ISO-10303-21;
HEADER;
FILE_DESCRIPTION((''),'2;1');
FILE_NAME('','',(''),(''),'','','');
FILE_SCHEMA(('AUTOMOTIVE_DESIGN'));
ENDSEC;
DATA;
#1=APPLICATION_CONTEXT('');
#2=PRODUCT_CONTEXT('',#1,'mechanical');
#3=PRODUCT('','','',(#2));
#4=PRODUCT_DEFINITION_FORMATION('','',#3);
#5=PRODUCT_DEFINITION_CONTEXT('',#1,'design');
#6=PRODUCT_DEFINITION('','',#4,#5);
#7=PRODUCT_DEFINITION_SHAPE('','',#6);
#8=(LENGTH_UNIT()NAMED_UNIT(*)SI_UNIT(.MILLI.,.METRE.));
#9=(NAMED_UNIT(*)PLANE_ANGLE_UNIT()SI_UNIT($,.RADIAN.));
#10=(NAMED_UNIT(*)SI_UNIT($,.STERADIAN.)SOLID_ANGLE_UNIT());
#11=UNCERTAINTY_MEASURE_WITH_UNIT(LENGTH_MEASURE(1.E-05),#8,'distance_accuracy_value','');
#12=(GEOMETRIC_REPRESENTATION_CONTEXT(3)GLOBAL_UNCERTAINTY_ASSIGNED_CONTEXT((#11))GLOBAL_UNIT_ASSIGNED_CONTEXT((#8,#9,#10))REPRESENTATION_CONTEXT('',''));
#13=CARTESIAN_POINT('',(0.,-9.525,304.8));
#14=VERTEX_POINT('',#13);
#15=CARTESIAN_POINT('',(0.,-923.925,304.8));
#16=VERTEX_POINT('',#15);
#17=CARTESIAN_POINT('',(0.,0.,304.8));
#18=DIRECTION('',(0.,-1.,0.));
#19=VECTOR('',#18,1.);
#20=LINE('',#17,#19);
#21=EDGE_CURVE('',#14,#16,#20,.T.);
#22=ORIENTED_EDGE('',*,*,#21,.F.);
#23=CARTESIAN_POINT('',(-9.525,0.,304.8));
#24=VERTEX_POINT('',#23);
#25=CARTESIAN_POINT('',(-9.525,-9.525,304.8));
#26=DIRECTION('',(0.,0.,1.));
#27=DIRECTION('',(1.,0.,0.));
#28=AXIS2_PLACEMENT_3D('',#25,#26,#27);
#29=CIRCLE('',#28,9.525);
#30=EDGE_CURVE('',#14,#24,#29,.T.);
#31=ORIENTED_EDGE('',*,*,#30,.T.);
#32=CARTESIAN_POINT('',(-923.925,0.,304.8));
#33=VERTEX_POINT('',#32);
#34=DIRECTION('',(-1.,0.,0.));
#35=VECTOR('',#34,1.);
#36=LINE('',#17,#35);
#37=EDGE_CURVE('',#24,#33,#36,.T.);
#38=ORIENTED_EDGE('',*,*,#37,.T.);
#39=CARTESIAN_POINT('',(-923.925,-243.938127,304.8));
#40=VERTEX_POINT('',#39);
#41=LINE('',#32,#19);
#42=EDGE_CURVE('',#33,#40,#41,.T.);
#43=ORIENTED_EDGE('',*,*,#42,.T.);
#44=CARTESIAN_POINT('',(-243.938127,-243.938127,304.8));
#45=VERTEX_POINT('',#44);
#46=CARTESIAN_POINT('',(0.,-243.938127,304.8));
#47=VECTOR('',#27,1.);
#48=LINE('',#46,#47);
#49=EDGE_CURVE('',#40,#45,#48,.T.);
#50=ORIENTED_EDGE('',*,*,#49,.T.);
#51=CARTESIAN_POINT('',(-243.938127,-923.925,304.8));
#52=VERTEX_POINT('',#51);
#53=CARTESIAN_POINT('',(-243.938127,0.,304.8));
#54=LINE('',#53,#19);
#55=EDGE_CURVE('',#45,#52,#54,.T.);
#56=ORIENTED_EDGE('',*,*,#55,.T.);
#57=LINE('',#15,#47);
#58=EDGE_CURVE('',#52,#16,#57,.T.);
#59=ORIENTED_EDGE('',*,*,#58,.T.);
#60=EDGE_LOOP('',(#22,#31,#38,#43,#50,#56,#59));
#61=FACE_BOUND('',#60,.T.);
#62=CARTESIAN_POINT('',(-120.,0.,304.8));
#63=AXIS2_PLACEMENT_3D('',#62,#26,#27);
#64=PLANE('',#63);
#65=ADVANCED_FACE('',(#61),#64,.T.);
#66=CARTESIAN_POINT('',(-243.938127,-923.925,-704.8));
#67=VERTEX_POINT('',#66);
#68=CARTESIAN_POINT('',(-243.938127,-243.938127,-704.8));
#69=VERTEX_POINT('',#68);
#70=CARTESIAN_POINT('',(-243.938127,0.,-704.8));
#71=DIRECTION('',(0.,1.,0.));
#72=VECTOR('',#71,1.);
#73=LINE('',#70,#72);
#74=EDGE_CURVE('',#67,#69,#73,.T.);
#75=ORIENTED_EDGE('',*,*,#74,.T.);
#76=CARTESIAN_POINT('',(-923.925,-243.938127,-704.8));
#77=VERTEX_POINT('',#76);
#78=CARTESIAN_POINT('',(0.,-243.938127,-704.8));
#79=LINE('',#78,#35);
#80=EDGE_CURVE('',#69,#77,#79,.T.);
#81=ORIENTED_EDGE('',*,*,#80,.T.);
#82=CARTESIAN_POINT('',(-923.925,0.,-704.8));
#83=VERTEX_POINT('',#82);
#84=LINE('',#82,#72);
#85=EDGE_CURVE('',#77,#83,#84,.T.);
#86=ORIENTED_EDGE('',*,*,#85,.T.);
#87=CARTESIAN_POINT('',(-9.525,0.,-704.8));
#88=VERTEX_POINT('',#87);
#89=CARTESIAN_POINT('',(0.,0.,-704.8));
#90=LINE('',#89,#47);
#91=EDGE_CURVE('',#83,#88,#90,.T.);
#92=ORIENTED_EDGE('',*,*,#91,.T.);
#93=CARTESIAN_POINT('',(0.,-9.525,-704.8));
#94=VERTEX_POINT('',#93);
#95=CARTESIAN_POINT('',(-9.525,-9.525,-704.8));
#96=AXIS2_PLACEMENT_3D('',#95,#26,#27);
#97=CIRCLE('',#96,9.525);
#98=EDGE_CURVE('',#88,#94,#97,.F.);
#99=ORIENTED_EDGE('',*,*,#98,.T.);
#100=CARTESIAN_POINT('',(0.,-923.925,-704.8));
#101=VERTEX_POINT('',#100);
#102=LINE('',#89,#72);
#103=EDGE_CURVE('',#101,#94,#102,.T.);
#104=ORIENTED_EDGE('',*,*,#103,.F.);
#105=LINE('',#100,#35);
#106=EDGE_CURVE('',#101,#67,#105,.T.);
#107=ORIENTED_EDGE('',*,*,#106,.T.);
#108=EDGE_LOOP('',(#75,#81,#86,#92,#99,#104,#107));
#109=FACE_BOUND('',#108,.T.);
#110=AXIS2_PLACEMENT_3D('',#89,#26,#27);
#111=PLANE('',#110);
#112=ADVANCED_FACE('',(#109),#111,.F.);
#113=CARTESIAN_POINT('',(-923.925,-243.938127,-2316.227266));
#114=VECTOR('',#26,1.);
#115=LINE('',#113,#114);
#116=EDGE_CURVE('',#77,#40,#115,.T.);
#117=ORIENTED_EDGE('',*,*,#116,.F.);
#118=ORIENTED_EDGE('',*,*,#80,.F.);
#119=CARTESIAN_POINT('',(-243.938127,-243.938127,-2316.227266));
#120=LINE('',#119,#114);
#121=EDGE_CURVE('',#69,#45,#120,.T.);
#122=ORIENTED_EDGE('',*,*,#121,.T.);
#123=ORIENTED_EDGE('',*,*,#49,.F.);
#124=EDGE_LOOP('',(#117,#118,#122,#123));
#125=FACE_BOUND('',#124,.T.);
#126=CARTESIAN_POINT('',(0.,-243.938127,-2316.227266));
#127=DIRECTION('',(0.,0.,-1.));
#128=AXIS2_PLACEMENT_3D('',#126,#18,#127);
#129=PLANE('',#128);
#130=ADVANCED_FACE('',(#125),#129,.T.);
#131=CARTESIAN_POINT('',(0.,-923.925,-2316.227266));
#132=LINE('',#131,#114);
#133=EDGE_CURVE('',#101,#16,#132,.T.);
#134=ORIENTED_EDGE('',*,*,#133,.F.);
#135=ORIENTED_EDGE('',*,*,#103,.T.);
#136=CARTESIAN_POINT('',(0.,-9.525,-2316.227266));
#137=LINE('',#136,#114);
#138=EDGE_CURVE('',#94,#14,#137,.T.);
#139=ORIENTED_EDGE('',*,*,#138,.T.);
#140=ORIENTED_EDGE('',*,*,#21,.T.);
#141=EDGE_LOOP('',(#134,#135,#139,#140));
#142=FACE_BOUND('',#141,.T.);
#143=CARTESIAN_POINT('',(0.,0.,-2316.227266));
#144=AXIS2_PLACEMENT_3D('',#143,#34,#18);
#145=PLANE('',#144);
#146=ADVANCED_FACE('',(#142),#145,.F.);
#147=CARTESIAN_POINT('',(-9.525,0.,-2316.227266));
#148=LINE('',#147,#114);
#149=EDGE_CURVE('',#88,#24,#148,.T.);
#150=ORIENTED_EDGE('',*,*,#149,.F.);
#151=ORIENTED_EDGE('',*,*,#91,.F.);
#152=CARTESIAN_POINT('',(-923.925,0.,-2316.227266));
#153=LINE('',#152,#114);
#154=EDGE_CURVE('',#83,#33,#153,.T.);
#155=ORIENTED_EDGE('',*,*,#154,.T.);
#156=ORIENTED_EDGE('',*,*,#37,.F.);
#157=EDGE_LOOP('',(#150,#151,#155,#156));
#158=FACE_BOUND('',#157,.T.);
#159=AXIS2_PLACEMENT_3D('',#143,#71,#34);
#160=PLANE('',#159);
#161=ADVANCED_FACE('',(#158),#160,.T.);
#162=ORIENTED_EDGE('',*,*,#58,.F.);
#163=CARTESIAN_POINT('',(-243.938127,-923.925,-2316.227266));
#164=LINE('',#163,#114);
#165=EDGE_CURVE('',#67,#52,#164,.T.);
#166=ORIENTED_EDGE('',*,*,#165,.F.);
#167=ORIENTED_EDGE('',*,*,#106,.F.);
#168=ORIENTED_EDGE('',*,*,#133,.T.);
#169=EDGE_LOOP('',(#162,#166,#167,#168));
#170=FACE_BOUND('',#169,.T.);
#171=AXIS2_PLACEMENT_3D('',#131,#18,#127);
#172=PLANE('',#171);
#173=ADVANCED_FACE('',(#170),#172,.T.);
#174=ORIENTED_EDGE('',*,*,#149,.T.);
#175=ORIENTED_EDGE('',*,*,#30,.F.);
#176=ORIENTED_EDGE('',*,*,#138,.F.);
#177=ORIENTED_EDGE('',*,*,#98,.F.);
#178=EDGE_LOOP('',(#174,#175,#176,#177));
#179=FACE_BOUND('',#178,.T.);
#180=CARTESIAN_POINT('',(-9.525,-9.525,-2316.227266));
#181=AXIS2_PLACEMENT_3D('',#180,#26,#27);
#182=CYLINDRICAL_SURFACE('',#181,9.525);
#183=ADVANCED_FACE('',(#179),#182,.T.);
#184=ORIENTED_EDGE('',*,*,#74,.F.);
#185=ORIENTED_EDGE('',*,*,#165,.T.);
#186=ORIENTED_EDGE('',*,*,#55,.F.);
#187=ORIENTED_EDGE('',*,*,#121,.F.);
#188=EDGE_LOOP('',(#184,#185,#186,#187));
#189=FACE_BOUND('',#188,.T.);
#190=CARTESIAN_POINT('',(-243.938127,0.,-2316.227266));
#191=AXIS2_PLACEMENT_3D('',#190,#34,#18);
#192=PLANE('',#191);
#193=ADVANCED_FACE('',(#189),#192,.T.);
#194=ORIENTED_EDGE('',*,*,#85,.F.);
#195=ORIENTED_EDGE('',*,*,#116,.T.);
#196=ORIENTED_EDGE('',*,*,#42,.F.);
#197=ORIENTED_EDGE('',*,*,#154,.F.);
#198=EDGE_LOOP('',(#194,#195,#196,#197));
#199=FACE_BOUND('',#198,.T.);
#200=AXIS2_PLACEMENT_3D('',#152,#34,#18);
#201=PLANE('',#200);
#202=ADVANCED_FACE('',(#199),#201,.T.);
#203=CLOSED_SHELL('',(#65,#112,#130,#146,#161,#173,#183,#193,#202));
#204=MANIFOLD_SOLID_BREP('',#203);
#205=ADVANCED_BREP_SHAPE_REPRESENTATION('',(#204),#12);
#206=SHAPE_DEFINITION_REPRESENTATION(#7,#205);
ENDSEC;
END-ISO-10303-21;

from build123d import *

# Parameters (mm, degrees)
BOSS_EXTRUDE2_DEPTH      = 304.8
BOSS_EXTRUDE2_DEPTH_BACK = 704.8


with BuildPart() as part:
    # Sketch1 → Boss-Extrude2 (new, two sides: drawn at the far end of the back side and taken through both)
    with BuildSketch(Plane.XY.offset(-BOSS_EXTRUDE2_DEPTH_BACK)):
        with BuildLine():
            Line((0, -9.525), (0, -923.925))
            Line((0, -923.925), (-243.93812726, -923.925))
            Line((-243.93812726, -923.925), (-243.93812726, -243.93812726))
            Line((-243.93812726, -243.93812726), (-923.925, -243.93812726))
            Line((-923.925, -243.93812726), (-923.925, 0))
            Line((-923.925, 0), (-9.525, 0))
            ThreePointArc((-9.525, 0), (-2.789807909, -2.789807909), (0, -9.525))
        make_face()
    extrude(amount=BOSS_EXTRUDE2_DEPTH + BOSS_EXTRUDE2_DEPTH_BACK)


solid = part.part
